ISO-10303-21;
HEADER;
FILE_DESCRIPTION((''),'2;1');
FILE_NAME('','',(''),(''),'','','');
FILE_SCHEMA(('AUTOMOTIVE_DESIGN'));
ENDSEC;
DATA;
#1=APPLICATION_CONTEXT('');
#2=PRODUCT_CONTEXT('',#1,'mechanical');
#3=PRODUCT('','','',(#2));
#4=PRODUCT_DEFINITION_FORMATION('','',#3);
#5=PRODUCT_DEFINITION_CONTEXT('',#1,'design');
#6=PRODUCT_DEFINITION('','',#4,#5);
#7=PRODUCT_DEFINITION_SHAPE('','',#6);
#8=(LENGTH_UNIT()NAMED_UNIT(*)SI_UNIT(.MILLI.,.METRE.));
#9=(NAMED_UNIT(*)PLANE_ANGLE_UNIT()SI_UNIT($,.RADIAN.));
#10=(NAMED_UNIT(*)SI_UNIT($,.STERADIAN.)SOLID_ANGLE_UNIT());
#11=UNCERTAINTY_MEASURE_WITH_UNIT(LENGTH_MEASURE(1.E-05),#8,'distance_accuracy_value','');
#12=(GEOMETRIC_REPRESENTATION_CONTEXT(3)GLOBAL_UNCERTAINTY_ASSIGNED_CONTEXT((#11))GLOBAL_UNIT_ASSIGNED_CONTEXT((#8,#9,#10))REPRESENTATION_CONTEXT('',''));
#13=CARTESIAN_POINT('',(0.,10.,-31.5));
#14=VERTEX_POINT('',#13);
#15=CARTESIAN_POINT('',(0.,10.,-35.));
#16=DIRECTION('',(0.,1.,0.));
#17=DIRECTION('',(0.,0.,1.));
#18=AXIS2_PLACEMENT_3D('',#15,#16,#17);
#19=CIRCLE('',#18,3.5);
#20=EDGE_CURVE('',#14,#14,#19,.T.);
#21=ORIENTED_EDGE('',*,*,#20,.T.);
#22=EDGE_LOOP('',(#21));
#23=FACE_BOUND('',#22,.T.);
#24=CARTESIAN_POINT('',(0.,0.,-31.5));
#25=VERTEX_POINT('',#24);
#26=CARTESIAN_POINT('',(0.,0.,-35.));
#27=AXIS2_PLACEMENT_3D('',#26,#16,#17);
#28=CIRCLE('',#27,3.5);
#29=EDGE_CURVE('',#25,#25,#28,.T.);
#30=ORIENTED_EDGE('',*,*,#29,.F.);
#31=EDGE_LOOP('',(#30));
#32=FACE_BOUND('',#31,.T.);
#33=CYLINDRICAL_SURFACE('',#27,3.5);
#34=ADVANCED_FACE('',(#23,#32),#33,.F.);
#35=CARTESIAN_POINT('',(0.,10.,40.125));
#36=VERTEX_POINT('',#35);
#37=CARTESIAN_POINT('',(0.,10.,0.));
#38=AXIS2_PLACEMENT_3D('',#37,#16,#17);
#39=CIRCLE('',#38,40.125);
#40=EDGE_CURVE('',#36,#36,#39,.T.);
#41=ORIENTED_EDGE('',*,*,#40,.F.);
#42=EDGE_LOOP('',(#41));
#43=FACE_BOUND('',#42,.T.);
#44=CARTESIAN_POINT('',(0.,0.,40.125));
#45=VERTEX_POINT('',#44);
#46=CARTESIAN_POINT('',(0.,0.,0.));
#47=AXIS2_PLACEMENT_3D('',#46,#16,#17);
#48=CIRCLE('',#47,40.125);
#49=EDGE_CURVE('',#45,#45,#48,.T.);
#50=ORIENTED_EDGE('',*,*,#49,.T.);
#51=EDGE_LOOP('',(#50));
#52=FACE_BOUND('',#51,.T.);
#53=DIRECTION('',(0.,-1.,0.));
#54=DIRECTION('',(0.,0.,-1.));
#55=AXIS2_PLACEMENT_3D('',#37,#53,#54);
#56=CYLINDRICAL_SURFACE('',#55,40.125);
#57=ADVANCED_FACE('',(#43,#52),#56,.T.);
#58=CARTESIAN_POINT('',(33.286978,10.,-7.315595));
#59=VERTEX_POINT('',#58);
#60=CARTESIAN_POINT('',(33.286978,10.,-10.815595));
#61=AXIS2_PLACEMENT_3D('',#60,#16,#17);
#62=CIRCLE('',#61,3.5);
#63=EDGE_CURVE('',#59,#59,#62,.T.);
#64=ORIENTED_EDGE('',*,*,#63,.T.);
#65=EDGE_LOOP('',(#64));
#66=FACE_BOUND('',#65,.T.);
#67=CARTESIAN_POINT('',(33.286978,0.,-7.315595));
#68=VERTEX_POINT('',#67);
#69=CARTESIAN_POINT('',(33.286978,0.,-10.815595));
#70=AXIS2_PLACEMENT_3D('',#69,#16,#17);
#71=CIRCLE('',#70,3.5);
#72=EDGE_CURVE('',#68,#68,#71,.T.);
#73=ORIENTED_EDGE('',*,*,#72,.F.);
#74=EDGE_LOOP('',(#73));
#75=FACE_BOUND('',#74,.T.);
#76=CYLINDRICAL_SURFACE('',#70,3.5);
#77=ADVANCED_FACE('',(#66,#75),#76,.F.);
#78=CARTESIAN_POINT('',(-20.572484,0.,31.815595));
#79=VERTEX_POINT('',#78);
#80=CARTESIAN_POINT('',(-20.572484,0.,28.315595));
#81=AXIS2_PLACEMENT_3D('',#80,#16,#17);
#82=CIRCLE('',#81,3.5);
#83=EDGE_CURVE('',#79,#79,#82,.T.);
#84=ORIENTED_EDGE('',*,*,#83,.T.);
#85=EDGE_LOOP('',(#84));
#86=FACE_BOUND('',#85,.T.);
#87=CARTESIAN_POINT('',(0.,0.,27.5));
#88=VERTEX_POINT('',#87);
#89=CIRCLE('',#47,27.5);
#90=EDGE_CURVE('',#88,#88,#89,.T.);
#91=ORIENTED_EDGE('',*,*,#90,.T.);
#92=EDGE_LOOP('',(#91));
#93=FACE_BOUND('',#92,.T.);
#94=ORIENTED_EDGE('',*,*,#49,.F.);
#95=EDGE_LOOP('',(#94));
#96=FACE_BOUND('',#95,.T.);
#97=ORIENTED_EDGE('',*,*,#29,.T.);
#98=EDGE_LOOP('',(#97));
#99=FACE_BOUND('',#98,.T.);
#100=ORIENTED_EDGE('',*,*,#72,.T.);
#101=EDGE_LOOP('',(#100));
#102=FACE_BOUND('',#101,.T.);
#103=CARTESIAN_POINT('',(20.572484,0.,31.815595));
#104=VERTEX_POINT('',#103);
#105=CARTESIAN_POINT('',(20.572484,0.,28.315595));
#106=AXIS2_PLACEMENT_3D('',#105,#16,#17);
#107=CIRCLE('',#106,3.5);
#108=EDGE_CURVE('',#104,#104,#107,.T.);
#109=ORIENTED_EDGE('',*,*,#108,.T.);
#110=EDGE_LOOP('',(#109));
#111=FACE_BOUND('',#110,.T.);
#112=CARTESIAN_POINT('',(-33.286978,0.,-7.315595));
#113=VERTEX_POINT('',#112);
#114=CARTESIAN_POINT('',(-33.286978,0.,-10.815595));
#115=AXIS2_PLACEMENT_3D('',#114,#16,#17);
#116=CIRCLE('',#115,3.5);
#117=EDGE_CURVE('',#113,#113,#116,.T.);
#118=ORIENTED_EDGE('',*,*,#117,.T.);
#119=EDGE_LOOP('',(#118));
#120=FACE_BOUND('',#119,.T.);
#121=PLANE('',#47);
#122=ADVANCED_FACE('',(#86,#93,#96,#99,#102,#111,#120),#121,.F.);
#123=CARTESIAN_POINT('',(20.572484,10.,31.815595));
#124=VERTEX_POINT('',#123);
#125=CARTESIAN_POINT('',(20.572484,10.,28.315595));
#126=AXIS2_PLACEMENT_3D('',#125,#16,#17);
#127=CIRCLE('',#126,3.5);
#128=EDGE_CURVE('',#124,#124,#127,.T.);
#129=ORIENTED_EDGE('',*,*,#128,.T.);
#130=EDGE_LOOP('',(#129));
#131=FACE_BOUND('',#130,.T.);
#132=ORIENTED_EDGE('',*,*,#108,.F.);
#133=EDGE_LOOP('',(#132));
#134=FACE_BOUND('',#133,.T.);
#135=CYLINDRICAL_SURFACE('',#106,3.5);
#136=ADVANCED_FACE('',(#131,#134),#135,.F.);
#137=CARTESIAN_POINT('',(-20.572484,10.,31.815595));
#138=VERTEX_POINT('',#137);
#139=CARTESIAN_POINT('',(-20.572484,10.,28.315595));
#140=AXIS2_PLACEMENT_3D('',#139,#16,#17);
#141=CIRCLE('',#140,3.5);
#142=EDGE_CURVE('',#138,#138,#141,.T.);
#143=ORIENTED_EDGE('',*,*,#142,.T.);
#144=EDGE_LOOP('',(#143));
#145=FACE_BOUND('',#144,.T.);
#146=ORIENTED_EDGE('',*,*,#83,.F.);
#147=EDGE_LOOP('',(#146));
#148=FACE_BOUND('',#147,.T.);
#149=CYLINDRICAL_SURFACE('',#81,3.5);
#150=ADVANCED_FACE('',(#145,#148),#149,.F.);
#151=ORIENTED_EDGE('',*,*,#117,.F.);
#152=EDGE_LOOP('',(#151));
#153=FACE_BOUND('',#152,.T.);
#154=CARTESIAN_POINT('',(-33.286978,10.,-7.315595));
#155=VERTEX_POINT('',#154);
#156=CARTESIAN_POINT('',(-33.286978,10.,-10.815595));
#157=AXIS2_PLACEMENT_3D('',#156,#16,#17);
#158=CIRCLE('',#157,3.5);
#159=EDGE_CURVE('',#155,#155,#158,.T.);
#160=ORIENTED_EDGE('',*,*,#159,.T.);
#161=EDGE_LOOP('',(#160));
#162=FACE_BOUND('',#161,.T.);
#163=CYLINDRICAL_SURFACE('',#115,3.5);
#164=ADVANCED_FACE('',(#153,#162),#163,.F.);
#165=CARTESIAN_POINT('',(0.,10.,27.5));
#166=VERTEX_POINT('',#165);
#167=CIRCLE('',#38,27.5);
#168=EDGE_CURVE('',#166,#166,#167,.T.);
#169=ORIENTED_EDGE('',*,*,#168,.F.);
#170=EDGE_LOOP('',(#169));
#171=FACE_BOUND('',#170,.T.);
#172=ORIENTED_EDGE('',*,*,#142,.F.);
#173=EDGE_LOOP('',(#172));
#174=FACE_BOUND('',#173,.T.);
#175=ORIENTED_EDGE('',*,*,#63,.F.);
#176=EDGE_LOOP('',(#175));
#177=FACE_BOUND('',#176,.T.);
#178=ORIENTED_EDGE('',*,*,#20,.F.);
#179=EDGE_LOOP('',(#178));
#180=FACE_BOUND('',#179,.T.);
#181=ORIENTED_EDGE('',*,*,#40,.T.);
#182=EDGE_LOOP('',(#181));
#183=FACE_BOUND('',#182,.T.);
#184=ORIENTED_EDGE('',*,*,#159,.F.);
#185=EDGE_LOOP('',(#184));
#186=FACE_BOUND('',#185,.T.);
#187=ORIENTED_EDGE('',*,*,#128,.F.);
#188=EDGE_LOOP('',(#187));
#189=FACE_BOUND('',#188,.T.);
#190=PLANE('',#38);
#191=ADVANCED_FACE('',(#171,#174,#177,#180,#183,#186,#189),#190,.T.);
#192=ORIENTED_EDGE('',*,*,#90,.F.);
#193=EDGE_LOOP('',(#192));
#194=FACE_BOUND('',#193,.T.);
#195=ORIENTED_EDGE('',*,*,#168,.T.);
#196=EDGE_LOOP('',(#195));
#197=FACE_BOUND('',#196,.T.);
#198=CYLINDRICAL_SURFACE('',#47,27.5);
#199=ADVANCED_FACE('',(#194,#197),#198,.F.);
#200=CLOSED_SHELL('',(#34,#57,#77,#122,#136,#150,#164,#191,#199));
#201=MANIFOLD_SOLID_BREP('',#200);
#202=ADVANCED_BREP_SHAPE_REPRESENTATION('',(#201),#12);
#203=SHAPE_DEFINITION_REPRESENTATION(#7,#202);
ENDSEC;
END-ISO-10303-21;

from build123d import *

# Parameters (mm, degrees)
SKETCH1_R           = 40.125
BOSS_EXTRUDE1_DEPTH = 10
SKETCH2_R           = 27.5
CUT_EXTRUDE1_DEPTH  = 10
SKETCH3_R           = 3.5
CUT_EXTRUDE2_DEPTH  = 10


with BuildPart() as part:
    # Sketch1 → Boss-Extrude1 (new body)
    with BuildSketch(Plane(origin=(0, 0, 0), x_dir=(1, 0, 0), z_dir=(0, 1, 0))):
        with Locations(Location((0, 0, 0), (0, 0, 270))):
            Circle(SKETCH1_R)
    extrude(amount=BOSS_EXTRUDE1_DEPTH)

    # Sketch2 → Cut-Extrude1 (cut)
    with BuildSketch(Plane(origin=(0, 10, 0), x_dir=(1, 0, 0), z_dir=(0, 1, 0))):
        with Locations(Location((0, 0, 0), (0, 0, 270))):
            Circle(SKETCH2_R)
    extrude(amount=-CUT_EXTRUDE1_DEPTH, mode=Mode.SUBTRACT)

    # Sketch3 → Cut-Extrude2 (cut)
    with BuildSketch(Plane(origin=(0, 10, 0), x_dir=(1, 0, 0), z_dir=(0, 1, 0))):
        with Locations(Location((0, 35, 0), (0, 0, 270))):
            Circle(SKETCH3_R)
        with Locations(Location((33.28697807, 10.815594803, 0), (0, 0, 270))):
            Circle(SKETCH3_R)
        with Locations(Location((20.57248383, -28.315594803, 0), (0, 0, 270))):
            Circle(SKETCH3_R)
        with Locations(Location((-20.57248383, -28.315594803, 0), (0, 0, 270))):
            Circle(SKETCH3_R)
        with Locations(Location((-33.28697807, 10.815594803, 0), (0, 0, 270))):
            Circle(SKETCH3_R)
    extrude(amount=-CUT_EXTRUDE2_DEPTH, mode=Mode.SUBTRACT)


solid = part.part
